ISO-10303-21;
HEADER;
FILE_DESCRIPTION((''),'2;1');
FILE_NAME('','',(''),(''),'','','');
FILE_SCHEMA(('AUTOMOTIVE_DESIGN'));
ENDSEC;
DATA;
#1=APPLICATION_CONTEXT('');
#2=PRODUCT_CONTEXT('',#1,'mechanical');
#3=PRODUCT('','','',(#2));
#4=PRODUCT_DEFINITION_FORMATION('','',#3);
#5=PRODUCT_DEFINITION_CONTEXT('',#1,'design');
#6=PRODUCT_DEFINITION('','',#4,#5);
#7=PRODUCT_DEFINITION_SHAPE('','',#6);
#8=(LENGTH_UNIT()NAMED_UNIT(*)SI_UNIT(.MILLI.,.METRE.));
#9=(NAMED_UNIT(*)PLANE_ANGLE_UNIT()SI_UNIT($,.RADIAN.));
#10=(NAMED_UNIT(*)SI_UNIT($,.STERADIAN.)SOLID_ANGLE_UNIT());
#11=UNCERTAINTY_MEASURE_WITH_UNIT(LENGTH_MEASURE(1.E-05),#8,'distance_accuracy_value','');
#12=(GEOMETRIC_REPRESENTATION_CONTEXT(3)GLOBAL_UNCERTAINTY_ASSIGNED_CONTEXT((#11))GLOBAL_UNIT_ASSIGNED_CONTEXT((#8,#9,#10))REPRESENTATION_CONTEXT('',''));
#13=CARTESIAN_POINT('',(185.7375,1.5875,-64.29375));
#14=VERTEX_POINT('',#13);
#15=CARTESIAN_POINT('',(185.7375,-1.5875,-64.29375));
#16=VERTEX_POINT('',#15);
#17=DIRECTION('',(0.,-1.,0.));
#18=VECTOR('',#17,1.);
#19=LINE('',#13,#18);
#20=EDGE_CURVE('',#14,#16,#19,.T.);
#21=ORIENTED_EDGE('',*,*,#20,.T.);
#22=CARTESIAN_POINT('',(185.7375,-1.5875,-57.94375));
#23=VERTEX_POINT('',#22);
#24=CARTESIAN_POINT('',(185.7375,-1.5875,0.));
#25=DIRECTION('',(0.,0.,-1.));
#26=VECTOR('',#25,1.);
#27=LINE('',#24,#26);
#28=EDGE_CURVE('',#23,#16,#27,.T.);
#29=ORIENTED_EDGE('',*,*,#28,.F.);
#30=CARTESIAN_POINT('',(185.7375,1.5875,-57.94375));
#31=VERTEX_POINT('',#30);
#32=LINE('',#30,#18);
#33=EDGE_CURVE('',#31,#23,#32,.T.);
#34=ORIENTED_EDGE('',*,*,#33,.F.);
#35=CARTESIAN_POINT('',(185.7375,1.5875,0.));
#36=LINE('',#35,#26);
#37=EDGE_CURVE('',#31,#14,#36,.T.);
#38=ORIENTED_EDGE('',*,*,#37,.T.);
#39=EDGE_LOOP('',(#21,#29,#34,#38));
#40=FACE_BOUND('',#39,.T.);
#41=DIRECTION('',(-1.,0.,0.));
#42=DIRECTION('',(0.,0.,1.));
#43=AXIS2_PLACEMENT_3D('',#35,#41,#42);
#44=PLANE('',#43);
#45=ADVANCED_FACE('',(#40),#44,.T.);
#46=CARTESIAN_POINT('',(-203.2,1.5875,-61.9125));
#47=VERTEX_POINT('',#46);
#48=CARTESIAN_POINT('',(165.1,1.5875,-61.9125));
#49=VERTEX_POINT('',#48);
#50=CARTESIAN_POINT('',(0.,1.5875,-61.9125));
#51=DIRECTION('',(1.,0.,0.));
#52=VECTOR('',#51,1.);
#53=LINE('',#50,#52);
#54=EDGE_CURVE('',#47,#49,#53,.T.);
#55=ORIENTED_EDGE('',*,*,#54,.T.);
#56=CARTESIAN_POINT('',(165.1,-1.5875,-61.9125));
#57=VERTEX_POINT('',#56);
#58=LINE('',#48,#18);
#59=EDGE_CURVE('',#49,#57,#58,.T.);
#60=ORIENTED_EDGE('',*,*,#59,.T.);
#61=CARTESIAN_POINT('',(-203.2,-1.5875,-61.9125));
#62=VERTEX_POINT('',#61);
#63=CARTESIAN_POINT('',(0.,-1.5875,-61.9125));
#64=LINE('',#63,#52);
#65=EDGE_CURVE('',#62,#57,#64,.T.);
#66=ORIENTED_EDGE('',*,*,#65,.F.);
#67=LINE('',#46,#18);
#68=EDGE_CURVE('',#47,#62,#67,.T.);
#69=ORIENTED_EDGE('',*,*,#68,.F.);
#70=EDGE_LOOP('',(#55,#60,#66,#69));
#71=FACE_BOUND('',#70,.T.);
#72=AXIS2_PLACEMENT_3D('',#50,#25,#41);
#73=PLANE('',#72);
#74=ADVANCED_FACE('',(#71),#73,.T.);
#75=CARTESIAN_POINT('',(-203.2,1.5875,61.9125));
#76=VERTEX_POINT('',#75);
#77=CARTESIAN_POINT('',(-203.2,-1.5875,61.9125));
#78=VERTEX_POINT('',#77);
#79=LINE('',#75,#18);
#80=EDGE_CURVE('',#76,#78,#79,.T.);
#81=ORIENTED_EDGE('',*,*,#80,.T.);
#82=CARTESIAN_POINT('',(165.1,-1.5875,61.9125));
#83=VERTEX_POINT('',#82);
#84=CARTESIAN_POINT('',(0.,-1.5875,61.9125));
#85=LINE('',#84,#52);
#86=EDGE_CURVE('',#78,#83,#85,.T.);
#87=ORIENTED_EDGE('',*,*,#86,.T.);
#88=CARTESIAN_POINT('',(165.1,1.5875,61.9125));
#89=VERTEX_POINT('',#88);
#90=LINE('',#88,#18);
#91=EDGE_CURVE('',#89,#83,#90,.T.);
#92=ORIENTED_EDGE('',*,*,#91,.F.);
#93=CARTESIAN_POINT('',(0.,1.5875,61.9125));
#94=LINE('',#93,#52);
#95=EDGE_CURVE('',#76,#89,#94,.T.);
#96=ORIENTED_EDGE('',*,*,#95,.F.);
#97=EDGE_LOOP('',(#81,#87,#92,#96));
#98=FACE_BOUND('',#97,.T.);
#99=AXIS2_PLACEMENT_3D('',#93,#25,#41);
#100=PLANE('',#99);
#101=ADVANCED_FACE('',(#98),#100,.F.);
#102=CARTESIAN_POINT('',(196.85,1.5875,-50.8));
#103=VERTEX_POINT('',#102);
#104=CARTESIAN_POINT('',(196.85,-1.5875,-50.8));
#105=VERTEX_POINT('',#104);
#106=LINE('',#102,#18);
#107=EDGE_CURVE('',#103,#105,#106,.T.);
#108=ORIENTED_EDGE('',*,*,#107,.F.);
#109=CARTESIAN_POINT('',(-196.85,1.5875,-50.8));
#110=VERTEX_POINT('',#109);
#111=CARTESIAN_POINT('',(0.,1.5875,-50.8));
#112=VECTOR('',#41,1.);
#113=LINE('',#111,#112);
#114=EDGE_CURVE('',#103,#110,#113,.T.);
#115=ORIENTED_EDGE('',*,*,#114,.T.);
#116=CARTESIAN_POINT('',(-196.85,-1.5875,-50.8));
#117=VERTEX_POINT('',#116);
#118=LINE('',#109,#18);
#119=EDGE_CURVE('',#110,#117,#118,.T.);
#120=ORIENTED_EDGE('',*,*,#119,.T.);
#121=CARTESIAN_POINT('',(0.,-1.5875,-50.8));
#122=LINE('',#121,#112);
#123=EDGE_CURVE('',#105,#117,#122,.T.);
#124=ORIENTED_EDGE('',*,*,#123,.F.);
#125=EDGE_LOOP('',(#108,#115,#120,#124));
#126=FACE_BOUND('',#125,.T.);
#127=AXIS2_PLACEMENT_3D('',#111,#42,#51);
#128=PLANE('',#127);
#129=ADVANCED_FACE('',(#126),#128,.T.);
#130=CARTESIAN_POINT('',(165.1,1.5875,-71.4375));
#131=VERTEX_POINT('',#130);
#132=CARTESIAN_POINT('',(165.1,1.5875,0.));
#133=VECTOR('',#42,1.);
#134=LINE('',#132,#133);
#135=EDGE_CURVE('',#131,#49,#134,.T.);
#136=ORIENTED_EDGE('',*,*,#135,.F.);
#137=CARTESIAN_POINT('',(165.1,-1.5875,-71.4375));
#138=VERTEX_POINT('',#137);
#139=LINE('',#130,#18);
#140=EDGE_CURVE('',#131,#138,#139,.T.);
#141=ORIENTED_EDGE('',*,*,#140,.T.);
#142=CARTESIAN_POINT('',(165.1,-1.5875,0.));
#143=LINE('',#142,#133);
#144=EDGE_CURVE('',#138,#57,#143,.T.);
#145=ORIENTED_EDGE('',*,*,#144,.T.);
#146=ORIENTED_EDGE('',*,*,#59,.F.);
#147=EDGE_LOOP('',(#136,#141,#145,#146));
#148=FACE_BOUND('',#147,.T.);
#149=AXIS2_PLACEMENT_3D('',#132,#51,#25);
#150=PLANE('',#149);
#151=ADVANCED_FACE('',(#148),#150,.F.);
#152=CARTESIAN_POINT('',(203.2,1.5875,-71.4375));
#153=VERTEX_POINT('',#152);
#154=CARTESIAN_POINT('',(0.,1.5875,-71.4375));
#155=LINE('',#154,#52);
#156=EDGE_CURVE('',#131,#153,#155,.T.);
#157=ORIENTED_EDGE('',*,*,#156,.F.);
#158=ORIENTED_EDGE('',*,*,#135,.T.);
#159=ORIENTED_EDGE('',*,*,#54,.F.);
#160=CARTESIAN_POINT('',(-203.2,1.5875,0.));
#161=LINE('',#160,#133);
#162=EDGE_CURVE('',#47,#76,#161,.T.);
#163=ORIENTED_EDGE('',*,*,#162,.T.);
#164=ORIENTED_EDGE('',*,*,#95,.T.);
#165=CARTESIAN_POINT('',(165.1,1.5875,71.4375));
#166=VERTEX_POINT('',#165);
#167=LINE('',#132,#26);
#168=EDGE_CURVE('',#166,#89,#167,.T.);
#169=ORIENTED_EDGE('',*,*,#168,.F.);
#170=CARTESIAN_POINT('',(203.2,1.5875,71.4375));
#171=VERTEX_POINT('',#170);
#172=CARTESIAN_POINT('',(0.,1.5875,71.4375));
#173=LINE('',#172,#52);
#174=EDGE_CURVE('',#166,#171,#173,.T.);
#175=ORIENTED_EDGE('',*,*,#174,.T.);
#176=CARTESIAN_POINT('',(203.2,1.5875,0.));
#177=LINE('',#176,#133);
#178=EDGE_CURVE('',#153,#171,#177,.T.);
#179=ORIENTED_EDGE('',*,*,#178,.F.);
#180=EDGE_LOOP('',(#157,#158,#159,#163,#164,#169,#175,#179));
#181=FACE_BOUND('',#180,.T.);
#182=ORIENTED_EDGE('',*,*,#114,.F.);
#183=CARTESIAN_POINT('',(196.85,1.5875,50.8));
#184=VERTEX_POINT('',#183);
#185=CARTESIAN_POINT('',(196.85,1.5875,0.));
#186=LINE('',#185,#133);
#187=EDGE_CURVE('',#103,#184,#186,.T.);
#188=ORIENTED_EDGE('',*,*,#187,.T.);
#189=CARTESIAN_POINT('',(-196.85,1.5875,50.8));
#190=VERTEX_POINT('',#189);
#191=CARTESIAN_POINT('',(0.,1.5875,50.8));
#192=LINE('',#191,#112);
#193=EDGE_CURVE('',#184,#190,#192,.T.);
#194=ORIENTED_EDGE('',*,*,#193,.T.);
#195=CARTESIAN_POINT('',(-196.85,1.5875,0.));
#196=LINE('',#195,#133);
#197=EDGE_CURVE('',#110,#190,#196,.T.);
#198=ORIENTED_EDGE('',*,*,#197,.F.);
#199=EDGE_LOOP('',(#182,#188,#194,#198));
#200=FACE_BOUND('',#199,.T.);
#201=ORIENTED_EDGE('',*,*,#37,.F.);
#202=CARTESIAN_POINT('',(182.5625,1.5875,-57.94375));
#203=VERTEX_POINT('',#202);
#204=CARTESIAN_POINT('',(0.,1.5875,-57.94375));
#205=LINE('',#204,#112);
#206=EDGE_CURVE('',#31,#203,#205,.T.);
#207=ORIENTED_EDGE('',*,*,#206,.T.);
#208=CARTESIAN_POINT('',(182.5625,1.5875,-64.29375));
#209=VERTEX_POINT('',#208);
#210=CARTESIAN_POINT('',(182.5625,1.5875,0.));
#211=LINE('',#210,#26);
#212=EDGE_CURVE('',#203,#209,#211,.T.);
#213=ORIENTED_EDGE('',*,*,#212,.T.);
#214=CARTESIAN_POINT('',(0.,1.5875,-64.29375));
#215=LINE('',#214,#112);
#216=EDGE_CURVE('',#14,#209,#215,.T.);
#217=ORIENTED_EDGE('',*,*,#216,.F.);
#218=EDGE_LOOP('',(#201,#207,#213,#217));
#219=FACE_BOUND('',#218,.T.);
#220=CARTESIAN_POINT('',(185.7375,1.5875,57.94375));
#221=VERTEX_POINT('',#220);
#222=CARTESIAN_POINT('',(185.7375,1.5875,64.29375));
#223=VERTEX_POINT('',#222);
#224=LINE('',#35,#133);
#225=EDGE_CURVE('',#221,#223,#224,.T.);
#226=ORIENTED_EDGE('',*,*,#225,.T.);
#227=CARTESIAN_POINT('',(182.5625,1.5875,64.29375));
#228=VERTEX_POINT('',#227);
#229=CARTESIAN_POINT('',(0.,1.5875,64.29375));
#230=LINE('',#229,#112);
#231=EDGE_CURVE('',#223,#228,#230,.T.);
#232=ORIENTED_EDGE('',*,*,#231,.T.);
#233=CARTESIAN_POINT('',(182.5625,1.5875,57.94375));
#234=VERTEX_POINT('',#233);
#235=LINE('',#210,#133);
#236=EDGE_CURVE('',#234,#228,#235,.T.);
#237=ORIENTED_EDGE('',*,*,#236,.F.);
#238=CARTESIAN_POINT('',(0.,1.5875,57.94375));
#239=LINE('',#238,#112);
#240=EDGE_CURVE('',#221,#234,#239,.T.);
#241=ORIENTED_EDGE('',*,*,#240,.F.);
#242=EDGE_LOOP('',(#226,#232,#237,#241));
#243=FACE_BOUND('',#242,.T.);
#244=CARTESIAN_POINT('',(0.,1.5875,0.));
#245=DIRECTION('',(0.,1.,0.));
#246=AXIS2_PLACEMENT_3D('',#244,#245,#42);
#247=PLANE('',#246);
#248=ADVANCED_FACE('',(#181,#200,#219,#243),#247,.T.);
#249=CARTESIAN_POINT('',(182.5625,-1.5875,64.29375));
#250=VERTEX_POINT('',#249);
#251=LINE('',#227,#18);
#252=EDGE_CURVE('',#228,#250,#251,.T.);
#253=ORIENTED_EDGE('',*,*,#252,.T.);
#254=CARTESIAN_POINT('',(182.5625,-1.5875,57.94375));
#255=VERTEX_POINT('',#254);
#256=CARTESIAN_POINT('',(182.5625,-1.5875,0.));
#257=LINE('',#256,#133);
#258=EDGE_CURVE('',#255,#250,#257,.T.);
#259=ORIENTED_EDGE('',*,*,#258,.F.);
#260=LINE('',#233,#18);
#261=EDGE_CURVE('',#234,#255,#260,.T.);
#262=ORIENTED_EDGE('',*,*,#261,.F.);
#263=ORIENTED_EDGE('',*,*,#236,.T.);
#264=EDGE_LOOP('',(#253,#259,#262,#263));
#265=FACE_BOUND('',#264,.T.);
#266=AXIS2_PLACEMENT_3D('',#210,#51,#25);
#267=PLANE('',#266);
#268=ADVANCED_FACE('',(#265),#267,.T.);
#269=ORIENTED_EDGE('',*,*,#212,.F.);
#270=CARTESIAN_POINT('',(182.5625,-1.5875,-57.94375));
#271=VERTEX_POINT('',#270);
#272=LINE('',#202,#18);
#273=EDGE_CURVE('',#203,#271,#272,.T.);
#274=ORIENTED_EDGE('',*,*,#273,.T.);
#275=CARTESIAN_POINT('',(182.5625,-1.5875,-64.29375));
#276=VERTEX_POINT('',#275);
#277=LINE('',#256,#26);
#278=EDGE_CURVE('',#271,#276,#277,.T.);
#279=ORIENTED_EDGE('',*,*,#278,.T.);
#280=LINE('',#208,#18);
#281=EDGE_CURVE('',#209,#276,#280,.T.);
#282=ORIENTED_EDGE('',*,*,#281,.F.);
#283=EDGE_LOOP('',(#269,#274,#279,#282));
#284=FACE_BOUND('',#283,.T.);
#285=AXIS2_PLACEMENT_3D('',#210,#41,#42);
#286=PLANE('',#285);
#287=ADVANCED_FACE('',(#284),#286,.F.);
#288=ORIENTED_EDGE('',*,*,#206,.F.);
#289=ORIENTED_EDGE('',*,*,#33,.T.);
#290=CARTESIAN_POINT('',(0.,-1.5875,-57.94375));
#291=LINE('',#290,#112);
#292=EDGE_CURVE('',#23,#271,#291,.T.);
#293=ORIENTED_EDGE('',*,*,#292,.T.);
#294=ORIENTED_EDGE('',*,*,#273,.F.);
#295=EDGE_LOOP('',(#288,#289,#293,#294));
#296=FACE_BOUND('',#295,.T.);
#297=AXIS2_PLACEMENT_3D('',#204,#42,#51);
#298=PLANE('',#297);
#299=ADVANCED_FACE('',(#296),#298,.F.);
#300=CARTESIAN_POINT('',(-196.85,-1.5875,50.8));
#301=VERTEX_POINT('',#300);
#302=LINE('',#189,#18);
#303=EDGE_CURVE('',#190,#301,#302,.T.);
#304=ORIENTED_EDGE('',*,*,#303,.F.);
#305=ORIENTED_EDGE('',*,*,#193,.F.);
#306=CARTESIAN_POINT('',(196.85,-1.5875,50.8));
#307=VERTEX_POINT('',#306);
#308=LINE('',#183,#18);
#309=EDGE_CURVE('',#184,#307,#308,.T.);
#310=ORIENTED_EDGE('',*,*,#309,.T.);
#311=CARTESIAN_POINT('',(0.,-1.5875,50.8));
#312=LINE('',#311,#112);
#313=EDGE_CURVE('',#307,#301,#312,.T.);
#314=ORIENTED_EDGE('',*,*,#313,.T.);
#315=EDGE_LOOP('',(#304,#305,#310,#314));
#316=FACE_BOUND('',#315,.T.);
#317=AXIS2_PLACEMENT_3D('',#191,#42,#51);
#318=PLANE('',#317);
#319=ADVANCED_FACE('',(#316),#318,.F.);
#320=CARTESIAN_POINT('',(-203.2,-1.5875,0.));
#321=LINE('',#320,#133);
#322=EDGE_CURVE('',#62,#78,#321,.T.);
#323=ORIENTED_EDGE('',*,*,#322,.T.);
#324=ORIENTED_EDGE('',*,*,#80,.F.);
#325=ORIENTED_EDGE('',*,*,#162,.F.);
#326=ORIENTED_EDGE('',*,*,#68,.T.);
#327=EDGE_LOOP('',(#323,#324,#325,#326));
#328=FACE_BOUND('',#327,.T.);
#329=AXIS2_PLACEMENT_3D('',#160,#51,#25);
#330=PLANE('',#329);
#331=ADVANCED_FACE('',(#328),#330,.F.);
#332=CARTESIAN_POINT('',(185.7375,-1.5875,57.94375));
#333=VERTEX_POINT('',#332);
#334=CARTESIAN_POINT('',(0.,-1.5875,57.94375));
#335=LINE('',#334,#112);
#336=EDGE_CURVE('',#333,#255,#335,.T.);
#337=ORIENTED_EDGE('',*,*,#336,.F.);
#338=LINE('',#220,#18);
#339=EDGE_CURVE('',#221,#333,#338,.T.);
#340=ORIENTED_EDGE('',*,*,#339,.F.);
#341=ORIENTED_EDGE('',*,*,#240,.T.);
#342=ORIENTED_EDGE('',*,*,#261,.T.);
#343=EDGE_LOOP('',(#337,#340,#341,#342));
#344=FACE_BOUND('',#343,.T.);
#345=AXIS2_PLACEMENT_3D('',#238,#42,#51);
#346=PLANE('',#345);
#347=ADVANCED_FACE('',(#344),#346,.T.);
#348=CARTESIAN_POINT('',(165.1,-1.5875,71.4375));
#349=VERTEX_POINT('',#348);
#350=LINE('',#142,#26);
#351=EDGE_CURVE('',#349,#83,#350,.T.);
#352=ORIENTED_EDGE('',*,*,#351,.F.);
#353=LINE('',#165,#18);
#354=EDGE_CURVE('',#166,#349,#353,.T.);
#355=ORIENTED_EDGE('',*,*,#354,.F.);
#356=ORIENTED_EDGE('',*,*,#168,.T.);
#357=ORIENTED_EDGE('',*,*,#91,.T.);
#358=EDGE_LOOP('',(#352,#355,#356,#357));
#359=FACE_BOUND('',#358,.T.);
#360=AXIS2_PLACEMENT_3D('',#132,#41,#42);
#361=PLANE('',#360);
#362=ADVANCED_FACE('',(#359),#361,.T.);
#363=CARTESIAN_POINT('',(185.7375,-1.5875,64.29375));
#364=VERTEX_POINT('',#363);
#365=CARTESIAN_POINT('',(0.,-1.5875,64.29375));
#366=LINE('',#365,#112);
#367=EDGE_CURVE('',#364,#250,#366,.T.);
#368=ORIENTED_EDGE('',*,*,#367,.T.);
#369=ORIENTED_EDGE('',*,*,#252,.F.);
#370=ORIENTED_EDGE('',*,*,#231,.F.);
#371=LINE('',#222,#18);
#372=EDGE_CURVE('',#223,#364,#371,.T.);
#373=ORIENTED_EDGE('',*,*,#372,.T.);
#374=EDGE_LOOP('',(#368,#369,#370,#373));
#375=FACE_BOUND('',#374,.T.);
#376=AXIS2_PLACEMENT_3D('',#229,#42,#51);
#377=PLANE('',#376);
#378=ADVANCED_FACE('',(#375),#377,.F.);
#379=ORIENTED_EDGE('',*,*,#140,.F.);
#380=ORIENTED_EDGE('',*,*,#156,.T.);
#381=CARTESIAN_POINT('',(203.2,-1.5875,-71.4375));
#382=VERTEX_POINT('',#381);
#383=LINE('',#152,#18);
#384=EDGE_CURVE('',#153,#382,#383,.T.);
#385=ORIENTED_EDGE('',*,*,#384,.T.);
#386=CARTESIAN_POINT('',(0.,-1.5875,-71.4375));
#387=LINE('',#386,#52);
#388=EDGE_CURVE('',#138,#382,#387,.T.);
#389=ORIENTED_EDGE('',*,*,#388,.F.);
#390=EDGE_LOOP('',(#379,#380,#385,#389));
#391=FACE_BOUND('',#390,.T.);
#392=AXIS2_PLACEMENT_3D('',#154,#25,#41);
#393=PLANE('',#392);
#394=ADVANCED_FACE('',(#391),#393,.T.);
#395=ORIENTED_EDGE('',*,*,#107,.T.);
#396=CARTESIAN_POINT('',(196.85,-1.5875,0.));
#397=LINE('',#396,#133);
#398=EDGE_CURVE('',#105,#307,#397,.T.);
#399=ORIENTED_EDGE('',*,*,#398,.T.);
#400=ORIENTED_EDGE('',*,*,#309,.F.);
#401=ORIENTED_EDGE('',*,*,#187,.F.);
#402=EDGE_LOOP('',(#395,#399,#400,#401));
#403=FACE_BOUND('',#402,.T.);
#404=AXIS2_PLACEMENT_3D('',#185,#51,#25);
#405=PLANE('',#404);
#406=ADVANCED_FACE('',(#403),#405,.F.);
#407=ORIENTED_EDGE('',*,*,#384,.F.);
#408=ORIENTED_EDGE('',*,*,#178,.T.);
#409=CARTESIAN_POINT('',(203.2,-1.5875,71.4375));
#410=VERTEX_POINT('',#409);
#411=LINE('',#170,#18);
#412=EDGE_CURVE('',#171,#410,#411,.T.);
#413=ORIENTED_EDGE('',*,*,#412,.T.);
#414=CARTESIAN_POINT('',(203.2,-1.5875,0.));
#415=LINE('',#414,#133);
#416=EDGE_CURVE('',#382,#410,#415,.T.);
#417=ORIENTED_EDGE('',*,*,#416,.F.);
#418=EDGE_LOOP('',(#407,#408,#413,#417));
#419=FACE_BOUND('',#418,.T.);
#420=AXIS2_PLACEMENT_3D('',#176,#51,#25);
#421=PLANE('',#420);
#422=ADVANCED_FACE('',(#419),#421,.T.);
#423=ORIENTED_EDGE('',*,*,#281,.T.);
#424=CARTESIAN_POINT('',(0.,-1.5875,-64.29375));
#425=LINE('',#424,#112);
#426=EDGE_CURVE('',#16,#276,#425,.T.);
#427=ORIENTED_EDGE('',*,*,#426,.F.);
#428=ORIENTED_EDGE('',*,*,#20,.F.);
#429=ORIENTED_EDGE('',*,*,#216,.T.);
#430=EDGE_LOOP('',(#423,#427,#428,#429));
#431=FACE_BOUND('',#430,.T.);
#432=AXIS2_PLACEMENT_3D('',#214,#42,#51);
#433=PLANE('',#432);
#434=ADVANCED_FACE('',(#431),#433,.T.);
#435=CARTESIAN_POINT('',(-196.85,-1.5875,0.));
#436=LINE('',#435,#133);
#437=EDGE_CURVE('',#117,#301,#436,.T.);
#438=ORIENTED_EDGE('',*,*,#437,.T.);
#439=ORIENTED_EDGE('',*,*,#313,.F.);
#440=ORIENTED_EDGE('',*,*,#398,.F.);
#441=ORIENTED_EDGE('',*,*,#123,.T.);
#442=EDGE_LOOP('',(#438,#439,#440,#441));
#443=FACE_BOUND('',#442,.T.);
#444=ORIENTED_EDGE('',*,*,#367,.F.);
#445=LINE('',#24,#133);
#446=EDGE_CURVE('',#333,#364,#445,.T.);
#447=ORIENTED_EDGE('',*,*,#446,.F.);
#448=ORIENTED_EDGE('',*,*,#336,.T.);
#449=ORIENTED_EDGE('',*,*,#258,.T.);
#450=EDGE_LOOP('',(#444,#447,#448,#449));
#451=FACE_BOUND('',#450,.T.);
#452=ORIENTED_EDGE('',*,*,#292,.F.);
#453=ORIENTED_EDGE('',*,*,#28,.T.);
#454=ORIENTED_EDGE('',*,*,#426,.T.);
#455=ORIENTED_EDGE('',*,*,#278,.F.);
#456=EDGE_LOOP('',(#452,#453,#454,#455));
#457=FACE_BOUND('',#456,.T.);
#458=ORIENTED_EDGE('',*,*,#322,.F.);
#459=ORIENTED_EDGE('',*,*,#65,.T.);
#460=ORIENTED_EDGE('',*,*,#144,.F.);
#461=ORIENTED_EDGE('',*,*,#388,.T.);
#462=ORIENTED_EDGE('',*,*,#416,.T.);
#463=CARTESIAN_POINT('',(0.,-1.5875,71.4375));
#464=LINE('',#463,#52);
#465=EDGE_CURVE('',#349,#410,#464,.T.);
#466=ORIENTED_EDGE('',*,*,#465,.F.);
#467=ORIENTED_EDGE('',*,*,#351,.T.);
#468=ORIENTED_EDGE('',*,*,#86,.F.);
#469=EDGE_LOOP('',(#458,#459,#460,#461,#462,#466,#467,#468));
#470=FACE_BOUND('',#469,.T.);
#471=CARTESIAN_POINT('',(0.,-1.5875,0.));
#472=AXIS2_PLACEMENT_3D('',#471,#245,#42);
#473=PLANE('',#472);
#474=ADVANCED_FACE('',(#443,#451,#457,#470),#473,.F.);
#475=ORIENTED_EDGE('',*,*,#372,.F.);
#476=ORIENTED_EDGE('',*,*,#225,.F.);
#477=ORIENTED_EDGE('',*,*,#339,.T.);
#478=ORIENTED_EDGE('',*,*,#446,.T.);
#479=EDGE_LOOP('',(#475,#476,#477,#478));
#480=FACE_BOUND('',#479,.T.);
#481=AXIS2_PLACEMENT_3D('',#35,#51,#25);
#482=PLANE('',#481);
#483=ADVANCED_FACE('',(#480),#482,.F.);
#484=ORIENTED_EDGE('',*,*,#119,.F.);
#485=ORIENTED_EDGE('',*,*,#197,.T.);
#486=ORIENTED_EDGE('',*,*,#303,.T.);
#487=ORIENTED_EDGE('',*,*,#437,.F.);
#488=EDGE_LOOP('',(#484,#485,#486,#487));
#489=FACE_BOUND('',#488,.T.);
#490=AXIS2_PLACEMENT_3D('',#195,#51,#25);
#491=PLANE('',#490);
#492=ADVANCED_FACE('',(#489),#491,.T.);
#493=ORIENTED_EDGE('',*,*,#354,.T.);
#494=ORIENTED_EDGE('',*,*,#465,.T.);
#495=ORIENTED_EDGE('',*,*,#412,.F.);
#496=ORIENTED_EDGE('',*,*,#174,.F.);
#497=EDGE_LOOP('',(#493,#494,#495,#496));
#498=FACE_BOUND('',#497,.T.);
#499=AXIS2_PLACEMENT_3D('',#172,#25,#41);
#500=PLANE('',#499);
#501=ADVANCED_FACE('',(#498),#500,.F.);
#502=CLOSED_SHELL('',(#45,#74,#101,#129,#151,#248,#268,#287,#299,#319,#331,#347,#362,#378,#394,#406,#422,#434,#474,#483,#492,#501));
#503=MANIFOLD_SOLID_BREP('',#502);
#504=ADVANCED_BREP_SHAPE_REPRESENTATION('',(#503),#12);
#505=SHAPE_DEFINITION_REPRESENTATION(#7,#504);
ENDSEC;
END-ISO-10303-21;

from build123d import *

# Parameters (mm, degrees)
SKETCH1_W           = 3.175
SKETCH1_H           = 6.35
SKETCH1_W_2         = 393.7
SKETCH1_H_2         = 101.6
BOSS_EXTRUDE1_DEPTH = 1.5875


with BuildPart() as part:
    # Sketch1 → Boss-Extrude1 (new body, symmetric)
    with BuildSketch(Plane(origin=(0, 0, 0), x_dir=(1, 0, 0), z_dir=(0, 1, 0))):
        Polygon((203.2, 71.4375), (165.1, 71.4375), (165.1, 61.9125), (-203.2, 61.9125), (-203.2, 50.8), (-203.2, -50.8), (-203.2, -61.9125), (165.1, -61.9125), (165.1, -71.4375), (203.2, -71.4375), (203.2, -50.8), (203.2, 50.8), align=None)
        with Locations((184.15, -61.11875)):
            Rectangle(SKETCH1_W, SKETCH1_H, mode=Mode.SUBTRACT)
        Rectangle(SKETCH1_W_2, SKETCH1_H_2, mode=Mode.SUBTRACT)
        with Locations((184.15, 61.11875)):
            Rectangle(SKETCH1_W, SKETCH1_H, mode=Mode.SUBTRACT)
    extrude(amount=BOSS_EXTRUDE1_DEPTH, both=True)


solid = part.part
